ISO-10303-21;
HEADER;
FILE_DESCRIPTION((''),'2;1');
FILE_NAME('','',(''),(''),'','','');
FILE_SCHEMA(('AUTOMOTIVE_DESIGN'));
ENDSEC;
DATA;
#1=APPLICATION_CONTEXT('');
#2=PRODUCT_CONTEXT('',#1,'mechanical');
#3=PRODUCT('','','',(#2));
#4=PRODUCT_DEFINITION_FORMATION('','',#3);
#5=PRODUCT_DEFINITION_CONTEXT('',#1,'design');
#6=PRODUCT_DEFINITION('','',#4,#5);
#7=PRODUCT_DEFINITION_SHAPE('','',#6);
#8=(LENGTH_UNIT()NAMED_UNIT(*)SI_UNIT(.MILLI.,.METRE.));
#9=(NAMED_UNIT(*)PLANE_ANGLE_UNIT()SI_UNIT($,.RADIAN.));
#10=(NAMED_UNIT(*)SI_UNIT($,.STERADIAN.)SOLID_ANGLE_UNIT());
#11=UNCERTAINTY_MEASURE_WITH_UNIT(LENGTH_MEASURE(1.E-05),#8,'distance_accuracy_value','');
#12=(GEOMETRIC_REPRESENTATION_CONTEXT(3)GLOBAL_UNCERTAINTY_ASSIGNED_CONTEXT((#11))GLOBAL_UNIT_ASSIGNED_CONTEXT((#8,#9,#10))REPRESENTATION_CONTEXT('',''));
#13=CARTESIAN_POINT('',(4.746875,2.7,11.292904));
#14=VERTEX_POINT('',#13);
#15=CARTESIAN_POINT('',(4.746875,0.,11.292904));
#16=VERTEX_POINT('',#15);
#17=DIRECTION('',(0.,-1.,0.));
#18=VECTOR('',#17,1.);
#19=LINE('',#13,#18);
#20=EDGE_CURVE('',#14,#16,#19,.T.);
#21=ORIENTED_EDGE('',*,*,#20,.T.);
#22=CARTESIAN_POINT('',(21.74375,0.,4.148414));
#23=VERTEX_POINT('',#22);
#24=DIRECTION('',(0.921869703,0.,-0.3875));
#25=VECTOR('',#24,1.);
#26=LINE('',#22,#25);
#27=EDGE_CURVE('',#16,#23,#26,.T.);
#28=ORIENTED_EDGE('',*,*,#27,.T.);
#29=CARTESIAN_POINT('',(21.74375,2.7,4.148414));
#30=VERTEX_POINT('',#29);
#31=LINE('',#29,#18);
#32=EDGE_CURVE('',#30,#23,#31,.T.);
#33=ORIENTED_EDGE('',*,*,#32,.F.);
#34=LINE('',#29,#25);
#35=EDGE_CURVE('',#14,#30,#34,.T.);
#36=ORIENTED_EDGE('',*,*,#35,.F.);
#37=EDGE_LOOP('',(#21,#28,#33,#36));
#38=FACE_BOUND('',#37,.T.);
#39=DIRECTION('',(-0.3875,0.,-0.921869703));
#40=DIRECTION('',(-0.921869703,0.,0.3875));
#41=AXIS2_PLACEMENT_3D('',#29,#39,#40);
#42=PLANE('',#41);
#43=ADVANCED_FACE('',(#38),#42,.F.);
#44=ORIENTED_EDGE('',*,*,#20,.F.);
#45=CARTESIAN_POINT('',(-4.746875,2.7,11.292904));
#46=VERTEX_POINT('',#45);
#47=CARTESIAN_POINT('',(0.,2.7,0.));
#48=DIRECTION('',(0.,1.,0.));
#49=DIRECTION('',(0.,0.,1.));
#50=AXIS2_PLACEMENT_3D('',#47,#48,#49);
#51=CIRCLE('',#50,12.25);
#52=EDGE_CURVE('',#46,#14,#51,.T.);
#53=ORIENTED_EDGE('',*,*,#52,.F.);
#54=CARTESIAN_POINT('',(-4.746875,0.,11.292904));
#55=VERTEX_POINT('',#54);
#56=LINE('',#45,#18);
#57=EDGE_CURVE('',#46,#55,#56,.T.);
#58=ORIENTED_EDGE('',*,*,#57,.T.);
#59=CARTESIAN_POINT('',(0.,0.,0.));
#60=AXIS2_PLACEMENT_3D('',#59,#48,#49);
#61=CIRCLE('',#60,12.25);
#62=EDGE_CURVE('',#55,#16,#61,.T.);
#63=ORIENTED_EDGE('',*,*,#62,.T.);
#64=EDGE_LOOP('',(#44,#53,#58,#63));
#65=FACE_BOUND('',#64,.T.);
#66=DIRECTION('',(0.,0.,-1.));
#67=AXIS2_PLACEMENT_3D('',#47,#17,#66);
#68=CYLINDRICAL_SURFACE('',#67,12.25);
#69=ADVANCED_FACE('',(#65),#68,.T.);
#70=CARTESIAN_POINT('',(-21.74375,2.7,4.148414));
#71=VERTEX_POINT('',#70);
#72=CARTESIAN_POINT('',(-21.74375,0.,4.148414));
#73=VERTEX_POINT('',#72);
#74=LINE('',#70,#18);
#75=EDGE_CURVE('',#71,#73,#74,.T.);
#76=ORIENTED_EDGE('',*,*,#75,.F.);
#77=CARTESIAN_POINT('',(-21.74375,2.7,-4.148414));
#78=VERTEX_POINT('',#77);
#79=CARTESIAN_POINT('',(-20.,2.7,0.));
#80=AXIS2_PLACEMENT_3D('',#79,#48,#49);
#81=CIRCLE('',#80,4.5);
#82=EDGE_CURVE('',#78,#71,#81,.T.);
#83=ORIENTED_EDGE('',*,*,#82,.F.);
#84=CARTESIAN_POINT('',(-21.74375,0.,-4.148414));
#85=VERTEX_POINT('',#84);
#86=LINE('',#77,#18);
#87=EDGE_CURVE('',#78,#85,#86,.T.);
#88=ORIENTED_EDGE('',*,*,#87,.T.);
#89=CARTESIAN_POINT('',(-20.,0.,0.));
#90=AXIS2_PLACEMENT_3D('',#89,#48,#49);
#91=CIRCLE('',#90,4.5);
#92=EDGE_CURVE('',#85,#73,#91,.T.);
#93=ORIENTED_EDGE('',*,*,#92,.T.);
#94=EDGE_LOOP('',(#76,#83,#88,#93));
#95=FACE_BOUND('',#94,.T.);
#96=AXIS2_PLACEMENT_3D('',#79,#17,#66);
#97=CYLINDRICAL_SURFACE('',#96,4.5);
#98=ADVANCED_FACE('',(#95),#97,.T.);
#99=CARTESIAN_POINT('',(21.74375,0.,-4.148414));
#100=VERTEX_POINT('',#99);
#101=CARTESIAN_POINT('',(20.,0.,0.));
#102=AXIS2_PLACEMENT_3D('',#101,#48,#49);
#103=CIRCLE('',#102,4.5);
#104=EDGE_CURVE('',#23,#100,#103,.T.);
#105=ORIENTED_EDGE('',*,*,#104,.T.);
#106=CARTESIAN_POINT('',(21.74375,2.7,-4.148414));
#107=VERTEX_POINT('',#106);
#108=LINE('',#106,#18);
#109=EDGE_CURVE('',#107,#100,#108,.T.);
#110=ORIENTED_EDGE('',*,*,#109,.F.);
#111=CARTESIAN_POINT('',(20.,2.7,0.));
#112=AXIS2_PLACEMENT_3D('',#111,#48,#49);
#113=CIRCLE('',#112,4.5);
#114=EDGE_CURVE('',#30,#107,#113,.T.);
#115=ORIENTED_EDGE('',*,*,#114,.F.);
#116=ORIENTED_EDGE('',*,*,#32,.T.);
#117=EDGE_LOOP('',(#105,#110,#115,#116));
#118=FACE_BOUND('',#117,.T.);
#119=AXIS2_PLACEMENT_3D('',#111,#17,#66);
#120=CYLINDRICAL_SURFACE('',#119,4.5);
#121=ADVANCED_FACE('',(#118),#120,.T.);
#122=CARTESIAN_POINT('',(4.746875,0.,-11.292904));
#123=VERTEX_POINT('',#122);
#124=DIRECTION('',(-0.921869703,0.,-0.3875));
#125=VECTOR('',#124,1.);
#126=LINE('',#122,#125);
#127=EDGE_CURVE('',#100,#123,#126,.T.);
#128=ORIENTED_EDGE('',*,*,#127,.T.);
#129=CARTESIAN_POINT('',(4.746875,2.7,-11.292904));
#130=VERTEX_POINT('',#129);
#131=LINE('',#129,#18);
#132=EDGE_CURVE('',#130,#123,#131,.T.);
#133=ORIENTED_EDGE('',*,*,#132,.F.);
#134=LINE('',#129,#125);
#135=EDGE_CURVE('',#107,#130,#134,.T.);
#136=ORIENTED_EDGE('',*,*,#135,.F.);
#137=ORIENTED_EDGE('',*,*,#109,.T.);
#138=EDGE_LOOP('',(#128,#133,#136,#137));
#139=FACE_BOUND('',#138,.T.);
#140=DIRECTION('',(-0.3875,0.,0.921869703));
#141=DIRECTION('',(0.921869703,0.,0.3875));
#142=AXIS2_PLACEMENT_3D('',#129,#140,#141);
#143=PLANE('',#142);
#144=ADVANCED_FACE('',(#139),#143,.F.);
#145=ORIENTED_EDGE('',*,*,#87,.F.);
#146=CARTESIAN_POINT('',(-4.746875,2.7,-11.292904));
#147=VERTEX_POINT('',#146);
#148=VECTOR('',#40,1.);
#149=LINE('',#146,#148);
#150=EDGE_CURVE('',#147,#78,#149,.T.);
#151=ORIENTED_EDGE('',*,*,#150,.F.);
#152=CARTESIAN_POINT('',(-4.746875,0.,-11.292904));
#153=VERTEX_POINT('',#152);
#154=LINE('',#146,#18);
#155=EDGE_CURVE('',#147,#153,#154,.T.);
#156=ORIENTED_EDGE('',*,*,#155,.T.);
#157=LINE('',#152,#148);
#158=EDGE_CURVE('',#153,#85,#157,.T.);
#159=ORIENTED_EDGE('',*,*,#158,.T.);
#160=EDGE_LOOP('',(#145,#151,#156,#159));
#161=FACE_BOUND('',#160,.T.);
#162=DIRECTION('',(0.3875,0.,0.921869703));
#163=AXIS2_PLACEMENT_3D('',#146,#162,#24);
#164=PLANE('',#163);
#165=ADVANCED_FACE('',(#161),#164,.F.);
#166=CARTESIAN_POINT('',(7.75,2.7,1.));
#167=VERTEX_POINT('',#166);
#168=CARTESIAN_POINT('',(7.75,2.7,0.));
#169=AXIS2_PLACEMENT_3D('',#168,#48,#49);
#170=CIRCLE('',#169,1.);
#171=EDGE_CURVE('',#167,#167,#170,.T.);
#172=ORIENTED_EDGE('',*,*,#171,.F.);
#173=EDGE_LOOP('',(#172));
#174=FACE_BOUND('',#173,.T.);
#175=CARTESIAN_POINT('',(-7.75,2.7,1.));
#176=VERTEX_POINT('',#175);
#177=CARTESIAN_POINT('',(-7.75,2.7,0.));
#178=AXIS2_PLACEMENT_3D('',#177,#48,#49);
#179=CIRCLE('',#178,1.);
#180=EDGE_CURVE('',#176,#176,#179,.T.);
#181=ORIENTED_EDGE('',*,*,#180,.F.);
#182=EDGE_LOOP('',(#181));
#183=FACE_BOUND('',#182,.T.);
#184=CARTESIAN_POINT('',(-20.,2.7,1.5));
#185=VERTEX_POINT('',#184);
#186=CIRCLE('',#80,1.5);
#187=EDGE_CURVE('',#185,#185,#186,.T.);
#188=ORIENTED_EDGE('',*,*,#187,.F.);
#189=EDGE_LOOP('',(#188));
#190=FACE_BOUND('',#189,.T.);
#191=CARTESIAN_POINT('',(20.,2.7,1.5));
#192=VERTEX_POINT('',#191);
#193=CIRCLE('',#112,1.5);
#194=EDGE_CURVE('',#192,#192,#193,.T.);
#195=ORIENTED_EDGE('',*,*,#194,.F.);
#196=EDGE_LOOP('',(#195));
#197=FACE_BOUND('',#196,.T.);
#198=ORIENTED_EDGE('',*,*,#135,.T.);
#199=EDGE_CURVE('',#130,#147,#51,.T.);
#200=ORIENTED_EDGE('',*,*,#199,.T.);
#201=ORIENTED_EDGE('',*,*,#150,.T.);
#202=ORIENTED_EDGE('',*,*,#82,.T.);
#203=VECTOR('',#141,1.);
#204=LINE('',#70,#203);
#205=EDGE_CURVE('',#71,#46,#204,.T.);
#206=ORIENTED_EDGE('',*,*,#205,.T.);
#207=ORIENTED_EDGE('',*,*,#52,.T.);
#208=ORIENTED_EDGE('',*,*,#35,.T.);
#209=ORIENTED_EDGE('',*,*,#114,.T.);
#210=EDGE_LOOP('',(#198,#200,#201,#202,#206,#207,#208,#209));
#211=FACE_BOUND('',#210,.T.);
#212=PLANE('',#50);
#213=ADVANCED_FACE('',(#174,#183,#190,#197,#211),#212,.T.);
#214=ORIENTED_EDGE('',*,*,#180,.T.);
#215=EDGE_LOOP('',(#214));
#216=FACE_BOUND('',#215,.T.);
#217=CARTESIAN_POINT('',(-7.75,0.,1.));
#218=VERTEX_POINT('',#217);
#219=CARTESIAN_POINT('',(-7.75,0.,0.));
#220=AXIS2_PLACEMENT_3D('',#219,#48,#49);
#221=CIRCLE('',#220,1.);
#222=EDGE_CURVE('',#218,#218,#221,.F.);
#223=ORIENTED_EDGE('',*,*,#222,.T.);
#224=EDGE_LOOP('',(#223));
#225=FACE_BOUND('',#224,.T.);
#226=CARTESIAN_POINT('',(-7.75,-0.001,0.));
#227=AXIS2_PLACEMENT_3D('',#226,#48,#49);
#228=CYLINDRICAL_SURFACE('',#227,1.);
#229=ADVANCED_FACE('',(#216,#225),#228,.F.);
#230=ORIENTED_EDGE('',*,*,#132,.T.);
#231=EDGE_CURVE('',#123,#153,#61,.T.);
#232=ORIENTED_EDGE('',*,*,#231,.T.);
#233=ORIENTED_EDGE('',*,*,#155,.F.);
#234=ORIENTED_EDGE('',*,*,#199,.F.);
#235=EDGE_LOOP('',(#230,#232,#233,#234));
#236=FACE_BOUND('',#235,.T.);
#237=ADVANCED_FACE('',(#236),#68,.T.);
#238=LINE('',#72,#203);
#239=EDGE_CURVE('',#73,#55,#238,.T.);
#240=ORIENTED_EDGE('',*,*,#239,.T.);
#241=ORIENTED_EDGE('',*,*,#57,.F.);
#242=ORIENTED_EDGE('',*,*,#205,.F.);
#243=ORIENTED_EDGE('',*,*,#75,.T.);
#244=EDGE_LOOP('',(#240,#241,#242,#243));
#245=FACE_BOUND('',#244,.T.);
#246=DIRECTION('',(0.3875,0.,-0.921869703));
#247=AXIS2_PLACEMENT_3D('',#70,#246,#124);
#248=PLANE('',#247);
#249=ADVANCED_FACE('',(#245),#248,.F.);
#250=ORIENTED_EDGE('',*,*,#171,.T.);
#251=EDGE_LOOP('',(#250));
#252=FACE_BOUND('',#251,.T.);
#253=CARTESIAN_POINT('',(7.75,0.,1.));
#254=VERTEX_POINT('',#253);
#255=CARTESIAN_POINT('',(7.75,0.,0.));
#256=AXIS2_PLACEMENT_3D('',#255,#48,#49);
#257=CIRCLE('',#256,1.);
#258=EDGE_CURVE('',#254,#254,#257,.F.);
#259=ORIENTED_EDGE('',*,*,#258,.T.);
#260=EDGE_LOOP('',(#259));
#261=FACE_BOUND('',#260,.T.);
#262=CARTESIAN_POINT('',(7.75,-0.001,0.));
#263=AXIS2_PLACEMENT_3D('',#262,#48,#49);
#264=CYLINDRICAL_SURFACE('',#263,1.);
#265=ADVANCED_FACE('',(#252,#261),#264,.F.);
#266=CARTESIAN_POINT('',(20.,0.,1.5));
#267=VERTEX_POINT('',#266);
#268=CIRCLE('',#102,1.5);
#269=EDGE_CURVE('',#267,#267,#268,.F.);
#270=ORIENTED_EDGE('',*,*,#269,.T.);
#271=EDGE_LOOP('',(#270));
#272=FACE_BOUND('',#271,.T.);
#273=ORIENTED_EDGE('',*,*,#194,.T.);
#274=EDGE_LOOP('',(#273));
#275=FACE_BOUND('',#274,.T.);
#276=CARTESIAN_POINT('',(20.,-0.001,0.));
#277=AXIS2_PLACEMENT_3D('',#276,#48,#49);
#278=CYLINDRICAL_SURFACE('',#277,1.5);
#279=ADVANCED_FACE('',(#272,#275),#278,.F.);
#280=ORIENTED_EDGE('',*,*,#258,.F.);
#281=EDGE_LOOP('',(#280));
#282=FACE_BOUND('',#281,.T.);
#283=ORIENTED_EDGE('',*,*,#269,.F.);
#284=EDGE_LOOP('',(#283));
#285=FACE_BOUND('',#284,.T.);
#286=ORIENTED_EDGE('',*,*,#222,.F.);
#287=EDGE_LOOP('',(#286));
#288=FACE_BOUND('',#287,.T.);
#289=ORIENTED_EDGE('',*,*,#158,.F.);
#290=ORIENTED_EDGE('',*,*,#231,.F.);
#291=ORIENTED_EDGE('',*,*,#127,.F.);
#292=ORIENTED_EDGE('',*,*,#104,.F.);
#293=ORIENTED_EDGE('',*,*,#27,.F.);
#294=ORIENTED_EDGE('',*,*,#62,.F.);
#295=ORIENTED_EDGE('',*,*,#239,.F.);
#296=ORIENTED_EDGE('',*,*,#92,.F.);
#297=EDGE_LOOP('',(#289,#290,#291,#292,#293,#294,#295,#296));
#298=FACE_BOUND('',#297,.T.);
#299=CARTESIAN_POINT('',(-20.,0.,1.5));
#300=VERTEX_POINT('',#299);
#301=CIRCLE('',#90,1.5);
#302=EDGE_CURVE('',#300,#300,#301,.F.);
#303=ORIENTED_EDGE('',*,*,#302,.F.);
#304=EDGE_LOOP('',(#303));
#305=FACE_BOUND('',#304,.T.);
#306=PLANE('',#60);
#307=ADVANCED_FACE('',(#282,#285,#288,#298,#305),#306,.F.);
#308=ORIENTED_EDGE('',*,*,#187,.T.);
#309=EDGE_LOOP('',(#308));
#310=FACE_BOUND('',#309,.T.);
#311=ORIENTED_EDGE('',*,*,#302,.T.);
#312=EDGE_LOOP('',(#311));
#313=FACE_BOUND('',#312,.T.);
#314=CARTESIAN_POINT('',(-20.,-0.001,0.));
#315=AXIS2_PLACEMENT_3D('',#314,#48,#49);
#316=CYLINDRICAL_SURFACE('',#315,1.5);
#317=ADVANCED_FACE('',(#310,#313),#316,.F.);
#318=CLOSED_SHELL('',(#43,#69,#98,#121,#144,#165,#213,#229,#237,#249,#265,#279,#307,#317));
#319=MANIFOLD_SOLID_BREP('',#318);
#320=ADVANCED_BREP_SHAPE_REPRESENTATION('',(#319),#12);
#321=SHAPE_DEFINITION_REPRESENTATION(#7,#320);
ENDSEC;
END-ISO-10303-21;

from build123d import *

# Parameters (mm, degrees)
BOSS_EXTRUDE1_DEPTH = 2.7
CUT_EXTRUDE1_REACH  = 4.7
SKETCH2_R           = 1.5
SKETCH2_R_2         = 1


with BuildPart() as part:
    # Sketch1 → Boss-Extrude1 (new body)
    with BuildSketch(Plane(origin=(0, 0, 0), x_dir=(1, 0, 0), z_dir=(0, 1, 0))):
        with BuildLine():
            Line((4.746875, 11.292903866), (21.74375, 4.148413665))
            ThreePointArc((21.74375, 4.148413665), (24.5, 0), (21.74375, -4.148413665))
            Line((21.74375, -4.148413665), (4.746875, -11.292903866))
            ThreePointArc((4.746875, -11.292903866), (0, -12.25), (-4.746875, -11.292903866))
            Line((-4.746875, -11.292903866), (-21.74375, -4.148413665))
            ThreePointArc((-21.74375, -4.148413665), (-24.5, 0), (-21.74375, 4.148413665))
            Line((-21.74375, 4.148413665), (-4.746875, 11.292903866))
            ThreePointArc((-4.746875, 11.292903866), (0, 12.25), (4.746875, 11.292903866))
        make_face()
    extrude(amount=BOSS_EXTRUDE1_DEPTH)

    # Sketch2 → Cut-Extrude1 (cut, up to next)
    with BuildSketch(Plane(origin=(0, 2.7, 0), x_dir=(1, 0, 0), z_dir=(0, 1, 0)), mode=Mode.PRIVATE) as cut_extrude1_sk1:
        with Locations((-20, 0)):
            Circle(SKETCH2_R)
    cut_extrude1_tool1 = extrude(cut_extrude1_sk1.sketch, amount=-CUT_EXTRUDE1_REACH, mode=Mode.PRIVATE) & part.part
    add(cut_extrude1_tool1.solids().sort_by_distance((-20, 2.7, 0))[0], mode=Mode.SUBTRACT)
    # Sketch2 → Cut-Extrude1 (cut, up to next)
    with BuildSketch(Plane(origin=(0, 2.7, 0), x_dir=(1, 0, 0), z_dir=(0, 1, 0)), mode=Mode.PRIVATE) as cut_extrude1_sk2:
        with Locations((20, 0)):
            Circle(SKETCH2_R)
    cut_extrude1_tool2 = extrude(cut_extrude1_sk2.sketch, amount=-CUT_EXTRUDE1_REACH, mode=Mode.PRIVATE) & part.part
    add(cut_extrude1_tool2.solids().sort_by_distance((20, 2.7, 0))[0], mode=Mode.SUBTRACT)
    # Sketch2 → Cut-Extrude1 (cut, up to next)
    with BuildSketch(Plane(origin=(0, 2.7, 0), x_dir=(1, 0, 0), z_dir=(0, 1, 0)), mode=Mode.PRIVATE) as cut_extrude1_sk3:
        with Locations((7.75, 0)):
            Circle(SKETCH2_R_2)
    cut_extrude1_tool3 = extrude(cut_extrude1_sk3.sketch, amount=-CUT_EXTRUDE1_REACH, mode=Mode.PRIVATE) & part.part
    add(cut_extrude1_tool3.solids().sort_by_distance((7.75, 2.7, 0))[0], mode=Mode.SUBTRACT)
    # Sketch2 → Cut-Extrude1 (cut, up to next)
    with BuildSketch(Plane(origin=(0, 2.7, 0), x_dir=(1, 0, 0), z_dir=(0, 1, 0)), mode=Mode.PRIVATE) as cut_extrude1_sk4:
        with Locations((-7.75, 0)):
            Circle(SKETCH2_R_2)
    cut_extrude1_tool4 = extrude(cut_extrude1_sk4.sketch, amount=-CUT_EXTRUDE1_REACH, mode=Mode.PRIVATE) & part.part
    add(cut_extrude1_tool4.solids().sort_by_distance((-7.75, 2.7, 0))[0], mode=Mode.SUBTRACT)


solid = part.part
